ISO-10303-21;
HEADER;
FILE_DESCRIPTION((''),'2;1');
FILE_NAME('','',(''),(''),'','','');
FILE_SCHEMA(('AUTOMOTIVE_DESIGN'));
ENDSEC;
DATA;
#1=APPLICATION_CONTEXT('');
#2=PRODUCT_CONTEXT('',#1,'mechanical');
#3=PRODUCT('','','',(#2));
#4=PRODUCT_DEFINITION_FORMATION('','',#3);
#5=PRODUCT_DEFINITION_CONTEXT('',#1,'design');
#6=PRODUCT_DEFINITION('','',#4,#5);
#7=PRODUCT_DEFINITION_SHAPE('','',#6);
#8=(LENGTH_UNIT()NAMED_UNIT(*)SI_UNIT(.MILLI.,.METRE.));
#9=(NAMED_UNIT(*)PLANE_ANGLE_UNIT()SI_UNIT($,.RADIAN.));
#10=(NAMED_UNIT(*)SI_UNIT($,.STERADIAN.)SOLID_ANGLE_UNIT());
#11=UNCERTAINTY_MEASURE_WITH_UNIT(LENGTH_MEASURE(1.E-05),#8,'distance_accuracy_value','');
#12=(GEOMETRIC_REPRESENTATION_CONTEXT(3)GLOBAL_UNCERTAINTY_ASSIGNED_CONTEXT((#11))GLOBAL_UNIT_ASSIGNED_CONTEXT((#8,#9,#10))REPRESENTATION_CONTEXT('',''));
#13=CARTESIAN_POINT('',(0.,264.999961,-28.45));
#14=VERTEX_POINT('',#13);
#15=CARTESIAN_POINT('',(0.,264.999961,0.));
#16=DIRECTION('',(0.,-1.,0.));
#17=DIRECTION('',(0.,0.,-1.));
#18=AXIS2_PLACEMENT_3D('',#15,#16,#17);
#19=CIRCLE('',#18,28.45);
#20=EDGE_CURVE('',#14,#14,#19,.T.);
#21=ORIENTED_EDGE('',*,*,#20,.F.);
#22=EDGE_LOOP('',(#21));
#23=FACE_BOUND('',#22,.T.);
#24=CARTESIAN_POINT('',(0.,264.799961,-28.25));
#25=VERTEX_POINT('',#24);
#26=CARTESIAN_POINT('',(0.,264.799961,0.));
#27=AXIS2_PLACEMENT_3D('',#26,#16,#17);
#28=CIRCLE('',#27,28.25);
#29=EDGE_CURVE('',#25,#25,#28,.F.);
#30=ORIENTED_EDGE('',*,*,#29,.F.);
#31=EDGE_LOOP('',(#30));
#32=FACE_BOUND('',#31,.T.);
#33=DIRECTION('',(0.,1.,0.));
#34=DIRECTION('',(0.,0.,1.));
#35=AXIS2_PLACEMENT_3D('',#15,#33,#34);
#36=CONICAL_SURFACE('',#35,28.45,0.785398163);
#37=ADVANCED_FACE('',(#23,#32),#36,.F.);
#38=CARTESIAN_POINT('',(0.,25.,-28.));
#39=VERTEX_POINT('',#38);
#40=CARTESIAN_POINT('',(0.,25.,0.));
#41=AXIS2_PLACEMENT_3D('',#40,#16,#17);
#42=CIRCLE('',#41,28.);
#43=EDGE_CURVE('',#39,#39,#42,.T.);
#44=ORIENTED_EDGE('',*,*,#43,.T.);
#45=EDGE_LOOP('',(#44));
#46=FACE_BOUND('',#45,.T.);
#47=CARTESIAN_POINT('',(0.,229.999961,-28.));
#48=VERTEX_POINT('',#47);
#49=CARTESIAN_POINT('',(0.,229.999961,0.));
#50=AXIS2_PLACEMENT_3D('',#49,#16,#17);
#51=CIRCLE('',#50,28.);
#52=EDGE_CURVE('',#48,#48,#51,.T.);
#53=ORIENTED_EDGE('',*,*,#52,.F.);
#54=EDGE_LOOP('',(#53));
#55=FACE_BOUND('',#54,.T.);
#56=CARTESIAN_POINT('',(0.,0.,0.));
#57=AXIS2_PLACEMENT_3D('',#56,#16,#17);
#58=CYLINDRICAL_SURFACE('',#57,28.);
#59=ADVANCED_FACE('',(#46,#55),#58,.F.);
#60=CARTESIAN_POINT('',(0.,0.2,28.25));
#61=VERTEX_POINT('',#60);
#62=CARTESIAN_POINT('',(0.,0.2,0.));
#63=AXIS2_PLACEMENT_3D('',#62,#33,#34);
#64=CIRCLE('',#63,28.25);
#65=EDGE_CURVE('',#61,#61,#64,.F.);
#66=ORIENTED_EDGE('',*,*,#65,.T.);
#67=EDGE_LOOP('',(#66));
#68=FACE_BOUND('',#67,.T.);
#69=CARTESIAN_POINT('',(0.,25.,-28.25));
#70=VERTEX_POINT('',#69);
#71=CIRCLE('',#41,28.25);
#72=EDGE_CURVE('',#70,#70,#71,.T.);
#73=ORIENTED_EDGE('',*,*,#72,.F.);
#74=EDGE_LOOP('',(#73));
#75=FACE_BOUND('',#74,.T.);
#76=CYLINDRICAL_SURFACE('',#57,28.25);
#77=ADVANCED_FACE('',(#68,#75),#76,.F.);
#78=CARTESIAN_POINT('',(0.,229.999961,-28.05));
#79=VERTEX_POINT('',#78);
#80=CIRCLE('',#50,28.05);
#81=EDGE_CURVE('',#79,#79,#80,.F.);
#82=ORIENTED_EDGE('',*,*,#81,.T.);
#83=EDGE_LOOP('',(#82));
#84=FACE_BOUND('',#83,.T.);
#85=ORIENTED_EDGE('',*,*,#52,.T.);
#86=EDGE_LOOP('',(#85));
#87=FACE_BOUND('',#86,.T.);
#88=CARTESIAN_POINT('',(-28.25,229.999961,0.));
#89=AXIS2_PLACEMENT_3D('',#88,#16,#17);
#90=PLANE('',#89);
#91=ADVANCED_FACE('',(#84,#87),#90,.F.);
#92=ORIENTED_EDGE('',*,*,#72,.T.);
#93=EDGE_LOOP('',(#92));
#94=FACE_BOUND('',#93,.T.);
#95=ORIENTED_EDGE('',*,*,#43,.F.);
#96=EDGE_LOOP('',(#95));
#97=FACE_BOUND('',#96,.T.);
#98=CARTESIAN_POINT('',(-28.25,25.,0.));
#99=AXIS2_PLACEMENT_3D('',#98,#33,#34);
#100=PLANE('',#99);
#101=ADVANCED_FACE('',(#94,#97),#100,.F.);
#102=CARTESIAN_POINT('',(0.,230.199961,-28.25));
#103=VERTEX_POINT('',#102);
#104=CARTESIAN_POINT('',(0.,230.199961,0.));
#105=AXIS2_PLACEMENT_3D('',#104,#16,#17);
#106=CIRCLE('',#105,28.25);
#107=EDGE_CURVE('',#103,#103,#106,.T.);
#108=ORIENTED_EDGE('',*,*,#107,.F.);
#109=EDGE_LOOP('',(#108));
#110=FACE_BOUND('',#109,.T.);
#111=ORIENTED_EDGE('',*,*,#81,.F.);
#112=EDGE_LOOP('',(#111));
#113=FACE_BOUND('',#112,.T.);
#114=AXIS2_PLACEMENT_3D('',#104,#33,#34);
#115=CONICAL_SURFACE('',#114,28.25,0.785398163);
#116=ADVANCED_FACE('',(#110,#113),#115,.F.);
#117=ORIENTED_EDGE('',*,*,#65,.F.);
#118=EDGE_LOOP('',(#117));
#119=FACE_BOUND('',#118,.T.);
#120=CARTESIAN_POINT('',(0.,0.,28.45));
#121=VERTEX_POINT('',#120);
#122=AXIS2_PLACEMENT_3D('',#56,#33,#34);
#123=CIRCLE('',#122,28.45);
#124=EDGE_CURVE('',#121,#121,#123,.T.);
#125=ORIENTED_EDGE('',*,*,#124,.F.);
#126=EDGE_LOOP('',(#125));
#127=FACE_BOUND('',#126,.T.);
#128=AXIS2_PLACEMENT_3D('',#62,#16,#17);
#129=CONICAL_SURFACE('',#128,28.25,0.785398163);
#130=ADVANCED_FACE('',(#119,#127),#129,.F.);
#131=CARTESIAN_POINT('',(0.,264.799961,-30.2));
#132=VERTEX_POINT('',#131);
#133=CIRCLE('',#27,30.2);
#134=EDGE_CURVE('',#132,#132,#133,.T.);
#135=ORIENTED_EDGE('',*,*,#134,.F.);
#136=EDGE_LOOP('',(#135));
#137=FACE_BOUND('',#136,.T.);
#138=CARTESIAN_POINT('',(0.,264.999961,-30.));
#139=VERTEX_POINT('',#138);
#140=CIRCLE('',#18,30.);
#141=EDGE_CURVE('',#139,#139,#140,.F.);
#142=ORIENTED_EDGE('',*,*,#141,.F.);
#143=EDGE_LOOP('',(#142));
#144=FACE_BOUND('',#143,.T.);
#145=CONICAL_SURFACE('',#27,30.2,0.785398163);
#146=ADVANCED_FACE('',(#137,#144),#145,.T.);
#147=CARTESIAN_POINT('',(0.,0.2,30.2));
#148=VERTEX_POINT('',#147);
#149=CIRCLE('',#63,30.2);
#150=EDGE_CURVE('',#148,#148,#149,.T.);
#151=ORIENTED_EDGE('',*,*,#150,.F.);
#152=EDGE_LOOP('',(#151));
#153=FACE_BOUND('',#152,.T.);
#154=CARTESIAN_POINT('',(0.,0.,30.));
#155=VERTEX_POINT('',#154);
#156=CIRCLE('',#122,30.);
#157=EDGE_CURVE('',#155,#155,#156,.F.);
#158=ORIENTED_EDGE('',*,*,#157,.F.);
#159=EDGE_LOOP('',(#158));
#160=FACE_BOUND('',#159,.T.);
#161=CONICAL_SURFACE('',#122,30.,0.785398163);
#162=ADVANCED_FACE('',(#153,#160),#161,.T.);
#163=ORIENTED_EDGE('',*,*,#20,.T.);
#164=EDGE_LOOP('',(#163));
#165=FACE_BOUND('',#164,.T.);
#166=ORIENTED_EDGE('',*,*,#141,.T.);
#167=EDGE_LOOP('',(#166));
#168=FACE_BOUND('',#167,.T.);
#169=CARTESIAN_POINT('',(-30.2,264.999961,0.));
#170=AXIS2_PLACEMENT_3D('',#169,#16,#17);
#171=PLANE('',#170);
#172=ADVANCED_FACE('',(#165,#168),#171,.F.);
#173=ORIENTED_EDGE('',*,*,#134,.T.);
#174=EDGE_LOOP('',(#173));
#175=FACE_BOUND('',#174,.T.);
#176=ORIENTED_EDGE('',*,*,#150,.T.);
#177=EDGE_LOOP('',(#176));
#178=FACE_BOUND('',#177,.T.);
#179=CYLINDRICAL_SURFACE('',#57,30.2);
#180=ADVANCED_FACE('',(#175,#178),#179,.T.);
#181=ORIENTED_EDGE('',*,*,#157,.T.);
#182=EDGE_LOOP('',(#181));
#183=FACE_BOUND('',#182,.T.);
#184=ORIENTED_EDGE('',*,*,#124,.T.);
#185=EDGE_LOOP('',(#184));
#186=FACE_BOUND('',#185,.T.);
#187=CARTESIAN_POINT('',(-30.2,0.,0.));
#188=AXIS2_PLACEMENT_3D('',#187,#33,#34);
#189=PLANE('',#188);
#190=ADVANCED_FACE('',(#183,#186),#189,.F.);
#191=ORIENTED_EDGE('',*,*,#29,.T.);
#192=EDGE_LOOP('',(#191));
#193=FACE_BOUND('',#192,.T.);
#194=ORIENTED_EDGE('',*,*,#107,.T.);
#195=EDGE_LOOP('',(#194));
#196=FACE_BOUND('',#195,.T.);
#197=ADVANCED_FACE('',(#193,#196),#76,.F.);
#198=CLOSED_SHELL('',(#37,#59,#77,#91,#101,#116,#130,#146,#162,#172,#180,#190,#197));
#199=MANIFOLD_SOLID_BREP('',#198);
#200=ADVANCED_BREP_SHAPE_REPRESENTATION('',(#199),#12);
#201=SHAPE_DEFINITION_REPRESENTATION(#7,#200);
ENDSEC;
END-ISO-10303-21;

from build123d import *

# Parameters (mm, degrees)
CHAMFER_1_SIZE = 0.2
CHAMFER_2_SIZE = 0.2
CHAMFER_3_SIZE = 0.2
CHAMFER_4_SIZE = 0.2


with BuildPart() as part:
    # Эскиз1 → Повернуть1 (revolve)
    with BuildSketch(Plane.XY):
        Polygon((-30.2, 0), (-30.2, 264.999961118), (-28.25, 264.999961118), (-28.25, 229.999961118), (-28, 229.999961118), (-28, 25), (-28.25, 25), (-28.25, 0), align=None)
    revolve(axis=Axis((0, 0, 0), (0, 1, 0)))

    # Фаска1
    chamfer_1_edges = [part.edges().sort_by_distance(p)[0] for p in [
        (30.2, 264.999961118, 0),
    ]]
    chamfer(chamfer_1_edges, length=CHAMFER_1_SIZE)

    # Фаска2
    chamfer_2_edges = [part.edges().sort_by_distance(p)[0] for p in [
        (28.25, 264.999961118, 0),
        (28.25, 229.999961118, 0),
    ]]
    chamfer(chamfer_2_edges, length=CHAMFER_2_SIZE)

    # Фаска3
    chamfer_3_edges = [part.edges().sort_by_distance(p)[0] for p in [
        (30.2, 0, 0),
    ]]
    chamfer(chamfer_3_edges, length=CHAMFER_3_SIZE)

    # Фаска4
    chamfer_4_edges = [part.edges().sort_by_distance(p)[0] for p in [
        (28.25, 0, 0),
    ]]
    chamfer(chamfer_4_edges, length=CHAMFER_4_SIZE)


solid = part.part
